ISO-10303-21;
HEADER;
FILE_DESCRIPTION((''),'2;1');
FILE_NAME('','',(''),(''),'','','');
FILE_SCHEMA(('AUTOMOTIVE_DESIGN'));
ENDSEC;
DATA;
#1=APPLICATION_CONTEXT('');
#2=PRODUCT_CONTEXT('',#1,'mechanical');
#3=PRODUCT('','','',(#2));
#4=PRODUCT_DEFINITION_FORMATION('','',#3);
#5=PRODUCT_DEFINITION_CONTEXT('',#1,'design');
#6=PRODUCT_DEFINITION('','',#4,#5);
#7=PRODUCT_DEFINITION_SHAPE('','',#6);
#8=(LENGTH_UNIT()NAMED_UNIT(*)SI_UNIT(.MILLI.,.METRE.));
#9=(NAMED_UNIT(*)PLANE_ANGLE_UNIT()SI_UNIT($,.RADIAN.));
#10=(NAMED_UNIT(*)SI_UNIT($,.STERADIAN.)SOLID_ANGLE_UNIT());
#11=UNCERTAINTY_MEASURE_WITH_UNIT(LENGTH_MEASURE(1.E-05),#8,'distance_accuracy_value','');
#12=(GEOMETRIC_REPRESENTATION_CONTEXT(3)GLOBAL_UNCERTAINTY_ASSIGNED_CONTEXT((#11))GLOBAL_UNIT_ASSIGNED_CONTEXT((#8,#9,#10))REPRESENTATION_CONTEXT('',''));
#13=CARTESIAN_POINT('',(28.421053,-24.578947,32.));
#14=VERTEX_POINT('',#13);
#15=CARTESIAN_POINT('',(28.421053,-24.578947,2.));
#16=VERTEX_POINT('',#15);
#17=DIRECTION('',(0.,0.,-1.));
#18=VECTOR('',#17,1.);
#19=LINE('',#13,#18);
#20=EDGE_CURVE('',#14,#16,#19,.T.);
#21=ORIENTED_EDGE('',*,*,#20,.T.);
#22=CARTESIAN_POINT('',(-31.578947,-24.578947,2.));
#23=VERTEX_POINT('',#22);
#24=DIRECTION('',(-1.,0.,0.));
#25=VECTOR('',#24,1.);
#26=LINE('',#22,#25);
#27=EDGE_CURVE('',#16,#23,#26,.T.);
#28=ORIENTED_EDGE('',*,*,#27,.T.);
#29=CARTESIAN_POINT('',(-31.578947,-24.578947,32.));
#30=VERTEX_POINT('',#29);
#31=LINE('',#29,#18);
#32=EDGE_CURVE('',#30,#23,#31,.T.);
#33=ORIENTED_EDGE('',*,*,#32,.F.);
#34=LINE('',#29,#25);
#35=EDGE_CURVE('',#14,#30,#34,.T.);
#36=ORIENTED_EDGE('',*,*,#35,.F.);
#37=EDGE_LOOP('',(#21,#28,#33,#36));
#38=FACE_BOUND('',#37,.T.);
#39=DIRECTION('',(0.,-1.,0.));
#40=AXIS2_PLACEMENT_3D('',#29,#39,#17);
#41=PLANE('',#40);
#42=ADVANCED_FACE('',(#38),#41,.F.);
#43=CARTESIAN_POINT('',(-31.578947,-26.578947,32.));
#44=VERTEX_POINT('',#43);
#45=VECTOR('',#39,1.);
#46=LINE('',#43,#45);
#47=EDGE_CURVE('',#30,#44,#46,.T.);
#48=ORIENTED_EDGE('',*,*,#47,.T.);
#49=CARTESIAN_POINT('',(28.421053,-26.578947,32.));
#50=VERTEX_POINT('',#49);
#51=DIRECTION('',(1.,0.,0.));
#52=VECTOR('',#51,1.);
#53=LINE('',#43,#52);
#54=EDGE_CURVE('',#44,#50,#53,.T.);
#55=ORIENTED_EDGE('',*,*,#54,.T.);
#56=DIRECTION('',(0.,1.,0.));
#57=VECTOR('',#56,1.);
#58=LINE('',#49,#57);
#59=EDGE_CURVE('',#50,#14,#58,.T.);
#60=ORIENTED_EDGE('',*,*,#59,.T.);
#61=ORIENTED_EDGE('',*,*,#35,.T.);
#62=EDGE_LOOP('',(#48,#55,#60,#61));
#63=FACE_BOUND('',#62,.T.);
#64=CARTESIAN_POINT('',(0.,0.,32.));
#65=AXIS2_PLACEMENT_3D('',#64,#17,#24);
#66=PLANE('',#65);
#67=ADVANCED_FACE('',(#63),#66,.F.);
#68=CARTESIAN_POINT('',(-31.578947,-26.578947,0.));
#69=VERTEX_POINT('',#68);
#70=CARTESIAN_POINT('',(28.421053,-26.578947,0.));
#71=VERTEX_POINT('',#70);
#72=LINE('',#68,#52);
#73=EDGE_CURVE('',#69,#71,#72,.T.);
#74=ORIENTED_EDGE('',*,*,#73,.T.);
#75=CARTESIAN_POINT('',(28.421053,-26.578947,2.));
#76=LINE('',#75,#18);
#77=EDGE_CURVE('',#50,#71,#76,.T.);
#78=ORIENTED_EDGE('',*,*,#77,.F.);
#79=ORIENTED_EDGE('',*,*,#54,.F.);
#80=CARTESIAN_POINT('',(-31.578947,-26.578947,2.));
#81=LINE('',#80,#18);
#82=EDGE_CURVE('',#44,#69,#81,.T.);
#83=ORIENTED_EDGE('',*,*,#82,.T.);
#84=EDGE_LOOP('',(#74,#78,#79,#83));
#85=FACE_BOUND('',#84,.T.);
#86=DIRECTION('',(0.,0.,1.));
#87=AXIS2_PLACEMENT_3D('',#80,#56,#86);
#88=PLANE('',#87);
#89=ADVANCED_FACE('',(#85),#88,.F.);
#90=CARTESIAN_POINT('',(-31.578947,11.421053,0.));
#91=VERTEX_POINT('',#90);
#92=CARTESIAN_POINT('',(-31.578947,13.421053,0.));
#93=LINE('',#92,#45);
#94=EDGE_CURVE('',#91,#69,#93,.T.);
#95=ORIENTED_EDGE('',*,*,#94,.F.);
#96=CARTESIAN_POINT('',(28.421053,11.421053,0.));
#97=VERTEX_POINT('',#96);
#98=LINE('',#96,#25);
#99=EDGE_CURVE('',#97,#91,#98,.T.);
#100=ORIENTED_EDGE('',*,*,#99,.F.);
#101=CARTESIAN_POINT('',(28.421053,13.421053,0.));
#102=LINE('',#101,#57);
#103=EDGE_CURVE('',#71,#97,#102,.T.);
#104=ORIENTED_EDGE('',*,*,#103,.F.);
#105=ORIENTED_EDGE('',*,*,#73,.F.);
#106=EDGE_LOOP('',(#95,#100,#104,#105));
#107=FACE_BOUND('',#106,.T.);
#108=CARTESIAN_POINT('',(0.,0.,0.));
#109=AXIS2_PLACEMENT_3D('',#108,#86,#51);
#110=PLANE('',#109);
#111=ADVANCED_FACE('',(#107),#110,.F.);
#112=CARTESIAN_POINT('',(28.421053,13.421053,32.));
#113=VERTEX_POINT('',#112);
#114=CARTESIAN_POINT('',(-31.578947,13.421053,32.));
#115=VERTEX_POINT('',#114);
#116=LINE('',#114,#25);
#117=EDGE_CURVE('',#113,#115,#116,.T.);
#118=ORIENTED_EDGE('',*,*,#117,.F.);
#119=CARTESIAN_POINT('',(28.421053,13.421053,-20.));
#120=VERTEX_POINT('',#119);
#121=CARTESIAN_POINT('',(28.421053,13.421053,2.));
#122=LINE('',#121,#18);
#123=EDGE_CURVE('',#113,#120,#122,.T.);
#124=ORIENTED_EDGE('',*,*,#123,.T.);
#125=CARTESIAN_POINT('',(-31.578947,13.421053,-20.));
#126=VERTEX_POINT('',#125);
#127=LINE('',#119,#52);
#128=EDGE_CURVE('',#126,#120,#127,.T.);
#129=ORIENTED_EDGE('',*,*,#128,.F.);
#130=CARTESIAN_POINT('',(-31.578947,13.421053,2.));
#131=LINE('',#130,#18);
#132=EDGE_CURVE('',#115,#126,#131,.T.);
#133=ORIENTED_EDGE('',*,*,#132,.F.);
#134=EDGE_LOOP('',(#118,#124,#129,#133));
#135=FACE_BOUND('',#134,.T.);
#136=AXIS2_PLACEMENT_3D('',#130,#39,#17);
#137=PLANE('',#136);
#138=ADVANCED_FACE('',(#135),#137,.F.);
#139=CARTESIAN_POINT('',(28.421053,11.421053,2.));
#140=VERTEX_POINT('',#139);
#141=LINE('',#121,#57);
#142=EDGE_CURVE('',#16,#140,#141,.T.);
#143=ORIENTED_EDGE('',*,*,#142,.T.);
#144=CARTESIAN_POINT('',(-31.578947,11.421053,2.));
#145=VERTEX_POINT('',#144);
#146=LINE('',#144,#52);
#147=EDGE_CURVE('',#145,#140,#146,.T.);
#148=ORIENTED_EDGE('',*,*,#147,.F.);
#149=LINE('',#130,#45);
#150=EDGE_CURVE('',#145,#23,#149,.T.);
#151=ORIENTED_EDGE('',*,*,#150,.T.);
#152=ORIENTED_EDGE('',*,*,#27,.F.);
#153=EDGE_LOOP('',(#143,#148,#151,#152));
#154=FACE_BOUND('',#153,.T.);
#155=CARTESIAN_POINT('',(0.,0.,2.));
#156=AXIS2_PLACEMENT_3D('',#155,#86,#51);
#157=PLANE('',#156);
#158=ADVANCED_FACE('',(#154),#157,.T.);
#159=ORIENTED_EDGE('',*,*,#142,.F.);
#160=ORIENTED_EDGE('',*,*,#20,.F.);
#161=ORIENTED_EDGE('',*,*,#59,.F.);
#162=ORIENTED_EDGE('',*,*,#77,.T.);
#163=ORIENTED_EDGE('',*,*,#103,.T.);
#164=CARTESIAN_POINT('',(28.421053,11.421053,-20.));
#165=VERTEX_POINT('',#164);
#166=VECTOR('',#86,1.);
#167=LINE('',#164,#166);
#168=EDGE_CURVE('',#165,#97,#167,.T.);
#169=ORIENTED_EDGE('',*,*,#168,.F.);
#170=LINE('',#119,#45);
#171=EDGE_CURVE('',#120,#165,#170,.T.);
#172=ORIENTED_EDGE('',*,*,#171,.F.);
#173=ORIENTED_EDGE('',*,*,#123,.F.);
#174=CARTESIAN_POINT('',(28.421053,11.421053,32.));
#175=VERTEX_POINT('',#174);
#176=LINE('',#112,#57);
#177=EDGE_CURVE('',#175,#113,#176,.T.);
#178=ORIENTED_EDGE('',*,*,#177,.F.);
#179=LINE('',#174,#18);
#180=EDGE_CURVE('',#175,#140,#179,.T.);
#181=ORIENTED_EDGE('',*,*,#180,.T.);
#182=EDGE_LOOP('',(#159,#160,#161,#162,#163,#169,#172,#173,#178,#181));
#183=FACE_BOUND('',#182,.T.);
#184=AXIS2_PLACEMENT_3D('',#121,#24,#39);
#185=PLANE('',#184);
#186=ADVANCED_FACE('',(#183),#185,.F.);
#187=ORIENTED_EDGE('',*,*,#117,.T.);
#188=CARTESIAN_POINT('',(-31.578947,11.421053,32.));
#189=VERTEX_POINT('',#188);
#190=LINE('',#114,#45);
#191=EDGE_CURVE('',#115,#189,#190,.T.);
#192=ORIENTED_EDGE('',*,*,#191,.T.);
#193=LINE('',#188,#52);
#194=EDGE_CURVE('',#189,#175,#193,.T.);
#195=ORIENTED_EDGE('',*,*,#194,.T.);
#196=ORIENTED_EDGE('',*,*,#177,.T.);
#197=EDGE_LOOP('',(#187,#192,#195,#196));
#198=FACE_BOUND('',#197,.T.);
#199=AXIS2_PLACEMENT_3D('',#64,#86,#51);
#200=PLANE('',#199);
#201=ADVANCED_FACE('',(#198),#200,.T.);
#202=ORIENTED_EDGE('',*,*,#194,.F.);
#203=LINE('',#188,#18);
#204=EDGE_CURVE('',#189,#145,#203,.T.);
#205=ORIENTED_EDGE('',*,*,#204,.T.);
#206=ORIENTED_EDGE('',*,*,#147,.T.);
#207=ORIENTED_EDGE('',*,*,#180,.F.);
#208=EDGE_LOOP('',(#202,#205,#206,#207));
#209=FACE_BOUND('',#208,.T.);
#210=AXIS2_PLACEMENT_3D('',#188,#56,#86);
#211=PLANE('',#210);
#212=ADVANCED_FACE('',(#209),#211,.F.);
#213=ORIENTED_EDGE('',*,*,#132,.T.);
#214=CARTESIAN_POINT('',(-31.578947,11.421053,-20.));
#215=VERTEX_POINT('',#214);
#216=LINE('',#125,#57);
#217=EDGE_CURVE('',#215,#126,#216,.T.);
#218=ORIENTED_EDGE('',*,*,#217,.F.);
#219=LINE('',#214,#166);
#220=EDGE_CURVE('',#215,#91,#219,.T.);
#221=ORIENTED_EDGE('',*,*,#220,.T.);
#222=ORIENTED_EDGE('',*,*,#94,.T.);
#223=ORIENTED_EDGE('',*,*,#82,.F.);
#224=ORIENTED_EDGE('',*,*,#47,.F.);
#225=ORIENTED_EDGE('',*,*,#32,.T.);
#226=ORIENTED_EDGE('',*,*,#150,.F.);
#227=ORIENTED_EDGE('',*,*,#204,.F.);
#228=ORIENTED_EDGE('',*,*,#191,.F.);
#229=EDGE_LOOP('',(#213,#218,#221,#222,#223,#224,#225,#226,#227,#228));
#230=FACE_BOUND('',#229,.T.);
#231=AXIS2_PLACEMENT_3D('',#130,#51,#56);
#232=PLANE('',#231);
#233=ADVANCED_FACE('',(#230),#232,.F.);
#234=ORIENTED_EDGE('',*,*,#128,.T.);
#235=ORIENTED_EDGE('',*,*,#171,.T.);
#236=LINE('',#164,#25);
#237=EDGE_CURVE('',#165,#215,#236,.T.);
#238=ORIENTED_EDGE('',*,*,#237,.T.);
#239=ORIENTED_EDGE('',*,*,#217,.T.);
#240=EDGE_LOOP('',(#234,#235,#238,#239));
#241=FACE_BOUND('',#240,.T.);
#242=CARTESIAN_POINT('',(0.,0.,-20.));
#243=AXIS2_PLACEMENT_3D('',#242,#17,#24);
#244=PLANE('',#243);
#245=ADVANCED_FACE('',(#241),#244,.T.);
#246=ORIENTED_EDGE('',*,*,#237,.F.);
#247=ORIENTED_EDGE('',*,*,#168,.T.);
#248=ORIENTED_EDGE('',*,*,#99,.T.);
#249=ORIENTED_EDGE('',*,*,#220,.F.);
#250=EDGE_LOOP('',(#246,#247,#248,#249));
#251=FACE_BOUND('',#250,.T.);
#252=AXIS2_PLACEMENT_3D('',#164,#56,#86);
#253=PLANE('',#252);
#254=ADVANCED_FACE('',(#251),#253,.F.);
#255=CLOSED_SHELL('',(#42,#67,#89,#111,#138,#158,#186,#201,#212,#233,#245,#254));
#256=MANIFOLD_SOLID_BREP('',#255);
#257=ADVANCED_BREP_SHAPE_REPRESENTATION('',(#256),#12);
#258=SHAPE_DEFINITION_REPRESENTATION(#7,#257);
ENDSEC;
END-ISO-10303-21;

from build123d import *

# Parameters (mm, degrees)
SKETCH_1_W      = 60
SKETCH_1_H      = 40
EXTRUDE_1_DEPTH = 2
SKETCH_2_W      = 60
SKETCH_2_H      = 2
EXTRUDE_2_DEPTH = 30
SKETCH_3_W      = 60
SKETCH_3_H      = 2
EXTRUDE_3_DEPTH = 20


with BuildPart() as part:
    # 草图1 → 凸台-拉伸1 (new body)
    with BuildSketch(Plane.XY):
        with Locations((-1.578947368, -6.578947368)):
            Rectangle(SKETCH_1_W, SKETCH_1_H)
    extrude(amount=EXTRUDE_1_DEPTH)

    # 草图2 → 凸台-拉伸2 (add)
    with BuildSketch(Plane.XY.offset(2)):
        with Locations((-1.578947368, 12.421052632)):
            Rectangle(SKETCH_2_W, SKETCH_2_H)
        with Locations((-1.578947368, -25.578947368)):
            Rectangle(SKETCH_2_W, SKETCH_2_H)
    extrude(amount=EXTRUDE_2_DEPTH)

    # 草图3 → 凸台-拉伸3 (add)
    with BuildSketch(Plane(origin=(0, 0, 0), x_dir=(-1, 0, 0), z_dir=(0, 0, -1))):
        with Locations((1.578947368, 12.421052632)):
            Rectangle(SKETCH_3_W, SKETCH_3_H)
    extrude(amount=EXTRUDE_3_DEPTH)


solid = part.part
